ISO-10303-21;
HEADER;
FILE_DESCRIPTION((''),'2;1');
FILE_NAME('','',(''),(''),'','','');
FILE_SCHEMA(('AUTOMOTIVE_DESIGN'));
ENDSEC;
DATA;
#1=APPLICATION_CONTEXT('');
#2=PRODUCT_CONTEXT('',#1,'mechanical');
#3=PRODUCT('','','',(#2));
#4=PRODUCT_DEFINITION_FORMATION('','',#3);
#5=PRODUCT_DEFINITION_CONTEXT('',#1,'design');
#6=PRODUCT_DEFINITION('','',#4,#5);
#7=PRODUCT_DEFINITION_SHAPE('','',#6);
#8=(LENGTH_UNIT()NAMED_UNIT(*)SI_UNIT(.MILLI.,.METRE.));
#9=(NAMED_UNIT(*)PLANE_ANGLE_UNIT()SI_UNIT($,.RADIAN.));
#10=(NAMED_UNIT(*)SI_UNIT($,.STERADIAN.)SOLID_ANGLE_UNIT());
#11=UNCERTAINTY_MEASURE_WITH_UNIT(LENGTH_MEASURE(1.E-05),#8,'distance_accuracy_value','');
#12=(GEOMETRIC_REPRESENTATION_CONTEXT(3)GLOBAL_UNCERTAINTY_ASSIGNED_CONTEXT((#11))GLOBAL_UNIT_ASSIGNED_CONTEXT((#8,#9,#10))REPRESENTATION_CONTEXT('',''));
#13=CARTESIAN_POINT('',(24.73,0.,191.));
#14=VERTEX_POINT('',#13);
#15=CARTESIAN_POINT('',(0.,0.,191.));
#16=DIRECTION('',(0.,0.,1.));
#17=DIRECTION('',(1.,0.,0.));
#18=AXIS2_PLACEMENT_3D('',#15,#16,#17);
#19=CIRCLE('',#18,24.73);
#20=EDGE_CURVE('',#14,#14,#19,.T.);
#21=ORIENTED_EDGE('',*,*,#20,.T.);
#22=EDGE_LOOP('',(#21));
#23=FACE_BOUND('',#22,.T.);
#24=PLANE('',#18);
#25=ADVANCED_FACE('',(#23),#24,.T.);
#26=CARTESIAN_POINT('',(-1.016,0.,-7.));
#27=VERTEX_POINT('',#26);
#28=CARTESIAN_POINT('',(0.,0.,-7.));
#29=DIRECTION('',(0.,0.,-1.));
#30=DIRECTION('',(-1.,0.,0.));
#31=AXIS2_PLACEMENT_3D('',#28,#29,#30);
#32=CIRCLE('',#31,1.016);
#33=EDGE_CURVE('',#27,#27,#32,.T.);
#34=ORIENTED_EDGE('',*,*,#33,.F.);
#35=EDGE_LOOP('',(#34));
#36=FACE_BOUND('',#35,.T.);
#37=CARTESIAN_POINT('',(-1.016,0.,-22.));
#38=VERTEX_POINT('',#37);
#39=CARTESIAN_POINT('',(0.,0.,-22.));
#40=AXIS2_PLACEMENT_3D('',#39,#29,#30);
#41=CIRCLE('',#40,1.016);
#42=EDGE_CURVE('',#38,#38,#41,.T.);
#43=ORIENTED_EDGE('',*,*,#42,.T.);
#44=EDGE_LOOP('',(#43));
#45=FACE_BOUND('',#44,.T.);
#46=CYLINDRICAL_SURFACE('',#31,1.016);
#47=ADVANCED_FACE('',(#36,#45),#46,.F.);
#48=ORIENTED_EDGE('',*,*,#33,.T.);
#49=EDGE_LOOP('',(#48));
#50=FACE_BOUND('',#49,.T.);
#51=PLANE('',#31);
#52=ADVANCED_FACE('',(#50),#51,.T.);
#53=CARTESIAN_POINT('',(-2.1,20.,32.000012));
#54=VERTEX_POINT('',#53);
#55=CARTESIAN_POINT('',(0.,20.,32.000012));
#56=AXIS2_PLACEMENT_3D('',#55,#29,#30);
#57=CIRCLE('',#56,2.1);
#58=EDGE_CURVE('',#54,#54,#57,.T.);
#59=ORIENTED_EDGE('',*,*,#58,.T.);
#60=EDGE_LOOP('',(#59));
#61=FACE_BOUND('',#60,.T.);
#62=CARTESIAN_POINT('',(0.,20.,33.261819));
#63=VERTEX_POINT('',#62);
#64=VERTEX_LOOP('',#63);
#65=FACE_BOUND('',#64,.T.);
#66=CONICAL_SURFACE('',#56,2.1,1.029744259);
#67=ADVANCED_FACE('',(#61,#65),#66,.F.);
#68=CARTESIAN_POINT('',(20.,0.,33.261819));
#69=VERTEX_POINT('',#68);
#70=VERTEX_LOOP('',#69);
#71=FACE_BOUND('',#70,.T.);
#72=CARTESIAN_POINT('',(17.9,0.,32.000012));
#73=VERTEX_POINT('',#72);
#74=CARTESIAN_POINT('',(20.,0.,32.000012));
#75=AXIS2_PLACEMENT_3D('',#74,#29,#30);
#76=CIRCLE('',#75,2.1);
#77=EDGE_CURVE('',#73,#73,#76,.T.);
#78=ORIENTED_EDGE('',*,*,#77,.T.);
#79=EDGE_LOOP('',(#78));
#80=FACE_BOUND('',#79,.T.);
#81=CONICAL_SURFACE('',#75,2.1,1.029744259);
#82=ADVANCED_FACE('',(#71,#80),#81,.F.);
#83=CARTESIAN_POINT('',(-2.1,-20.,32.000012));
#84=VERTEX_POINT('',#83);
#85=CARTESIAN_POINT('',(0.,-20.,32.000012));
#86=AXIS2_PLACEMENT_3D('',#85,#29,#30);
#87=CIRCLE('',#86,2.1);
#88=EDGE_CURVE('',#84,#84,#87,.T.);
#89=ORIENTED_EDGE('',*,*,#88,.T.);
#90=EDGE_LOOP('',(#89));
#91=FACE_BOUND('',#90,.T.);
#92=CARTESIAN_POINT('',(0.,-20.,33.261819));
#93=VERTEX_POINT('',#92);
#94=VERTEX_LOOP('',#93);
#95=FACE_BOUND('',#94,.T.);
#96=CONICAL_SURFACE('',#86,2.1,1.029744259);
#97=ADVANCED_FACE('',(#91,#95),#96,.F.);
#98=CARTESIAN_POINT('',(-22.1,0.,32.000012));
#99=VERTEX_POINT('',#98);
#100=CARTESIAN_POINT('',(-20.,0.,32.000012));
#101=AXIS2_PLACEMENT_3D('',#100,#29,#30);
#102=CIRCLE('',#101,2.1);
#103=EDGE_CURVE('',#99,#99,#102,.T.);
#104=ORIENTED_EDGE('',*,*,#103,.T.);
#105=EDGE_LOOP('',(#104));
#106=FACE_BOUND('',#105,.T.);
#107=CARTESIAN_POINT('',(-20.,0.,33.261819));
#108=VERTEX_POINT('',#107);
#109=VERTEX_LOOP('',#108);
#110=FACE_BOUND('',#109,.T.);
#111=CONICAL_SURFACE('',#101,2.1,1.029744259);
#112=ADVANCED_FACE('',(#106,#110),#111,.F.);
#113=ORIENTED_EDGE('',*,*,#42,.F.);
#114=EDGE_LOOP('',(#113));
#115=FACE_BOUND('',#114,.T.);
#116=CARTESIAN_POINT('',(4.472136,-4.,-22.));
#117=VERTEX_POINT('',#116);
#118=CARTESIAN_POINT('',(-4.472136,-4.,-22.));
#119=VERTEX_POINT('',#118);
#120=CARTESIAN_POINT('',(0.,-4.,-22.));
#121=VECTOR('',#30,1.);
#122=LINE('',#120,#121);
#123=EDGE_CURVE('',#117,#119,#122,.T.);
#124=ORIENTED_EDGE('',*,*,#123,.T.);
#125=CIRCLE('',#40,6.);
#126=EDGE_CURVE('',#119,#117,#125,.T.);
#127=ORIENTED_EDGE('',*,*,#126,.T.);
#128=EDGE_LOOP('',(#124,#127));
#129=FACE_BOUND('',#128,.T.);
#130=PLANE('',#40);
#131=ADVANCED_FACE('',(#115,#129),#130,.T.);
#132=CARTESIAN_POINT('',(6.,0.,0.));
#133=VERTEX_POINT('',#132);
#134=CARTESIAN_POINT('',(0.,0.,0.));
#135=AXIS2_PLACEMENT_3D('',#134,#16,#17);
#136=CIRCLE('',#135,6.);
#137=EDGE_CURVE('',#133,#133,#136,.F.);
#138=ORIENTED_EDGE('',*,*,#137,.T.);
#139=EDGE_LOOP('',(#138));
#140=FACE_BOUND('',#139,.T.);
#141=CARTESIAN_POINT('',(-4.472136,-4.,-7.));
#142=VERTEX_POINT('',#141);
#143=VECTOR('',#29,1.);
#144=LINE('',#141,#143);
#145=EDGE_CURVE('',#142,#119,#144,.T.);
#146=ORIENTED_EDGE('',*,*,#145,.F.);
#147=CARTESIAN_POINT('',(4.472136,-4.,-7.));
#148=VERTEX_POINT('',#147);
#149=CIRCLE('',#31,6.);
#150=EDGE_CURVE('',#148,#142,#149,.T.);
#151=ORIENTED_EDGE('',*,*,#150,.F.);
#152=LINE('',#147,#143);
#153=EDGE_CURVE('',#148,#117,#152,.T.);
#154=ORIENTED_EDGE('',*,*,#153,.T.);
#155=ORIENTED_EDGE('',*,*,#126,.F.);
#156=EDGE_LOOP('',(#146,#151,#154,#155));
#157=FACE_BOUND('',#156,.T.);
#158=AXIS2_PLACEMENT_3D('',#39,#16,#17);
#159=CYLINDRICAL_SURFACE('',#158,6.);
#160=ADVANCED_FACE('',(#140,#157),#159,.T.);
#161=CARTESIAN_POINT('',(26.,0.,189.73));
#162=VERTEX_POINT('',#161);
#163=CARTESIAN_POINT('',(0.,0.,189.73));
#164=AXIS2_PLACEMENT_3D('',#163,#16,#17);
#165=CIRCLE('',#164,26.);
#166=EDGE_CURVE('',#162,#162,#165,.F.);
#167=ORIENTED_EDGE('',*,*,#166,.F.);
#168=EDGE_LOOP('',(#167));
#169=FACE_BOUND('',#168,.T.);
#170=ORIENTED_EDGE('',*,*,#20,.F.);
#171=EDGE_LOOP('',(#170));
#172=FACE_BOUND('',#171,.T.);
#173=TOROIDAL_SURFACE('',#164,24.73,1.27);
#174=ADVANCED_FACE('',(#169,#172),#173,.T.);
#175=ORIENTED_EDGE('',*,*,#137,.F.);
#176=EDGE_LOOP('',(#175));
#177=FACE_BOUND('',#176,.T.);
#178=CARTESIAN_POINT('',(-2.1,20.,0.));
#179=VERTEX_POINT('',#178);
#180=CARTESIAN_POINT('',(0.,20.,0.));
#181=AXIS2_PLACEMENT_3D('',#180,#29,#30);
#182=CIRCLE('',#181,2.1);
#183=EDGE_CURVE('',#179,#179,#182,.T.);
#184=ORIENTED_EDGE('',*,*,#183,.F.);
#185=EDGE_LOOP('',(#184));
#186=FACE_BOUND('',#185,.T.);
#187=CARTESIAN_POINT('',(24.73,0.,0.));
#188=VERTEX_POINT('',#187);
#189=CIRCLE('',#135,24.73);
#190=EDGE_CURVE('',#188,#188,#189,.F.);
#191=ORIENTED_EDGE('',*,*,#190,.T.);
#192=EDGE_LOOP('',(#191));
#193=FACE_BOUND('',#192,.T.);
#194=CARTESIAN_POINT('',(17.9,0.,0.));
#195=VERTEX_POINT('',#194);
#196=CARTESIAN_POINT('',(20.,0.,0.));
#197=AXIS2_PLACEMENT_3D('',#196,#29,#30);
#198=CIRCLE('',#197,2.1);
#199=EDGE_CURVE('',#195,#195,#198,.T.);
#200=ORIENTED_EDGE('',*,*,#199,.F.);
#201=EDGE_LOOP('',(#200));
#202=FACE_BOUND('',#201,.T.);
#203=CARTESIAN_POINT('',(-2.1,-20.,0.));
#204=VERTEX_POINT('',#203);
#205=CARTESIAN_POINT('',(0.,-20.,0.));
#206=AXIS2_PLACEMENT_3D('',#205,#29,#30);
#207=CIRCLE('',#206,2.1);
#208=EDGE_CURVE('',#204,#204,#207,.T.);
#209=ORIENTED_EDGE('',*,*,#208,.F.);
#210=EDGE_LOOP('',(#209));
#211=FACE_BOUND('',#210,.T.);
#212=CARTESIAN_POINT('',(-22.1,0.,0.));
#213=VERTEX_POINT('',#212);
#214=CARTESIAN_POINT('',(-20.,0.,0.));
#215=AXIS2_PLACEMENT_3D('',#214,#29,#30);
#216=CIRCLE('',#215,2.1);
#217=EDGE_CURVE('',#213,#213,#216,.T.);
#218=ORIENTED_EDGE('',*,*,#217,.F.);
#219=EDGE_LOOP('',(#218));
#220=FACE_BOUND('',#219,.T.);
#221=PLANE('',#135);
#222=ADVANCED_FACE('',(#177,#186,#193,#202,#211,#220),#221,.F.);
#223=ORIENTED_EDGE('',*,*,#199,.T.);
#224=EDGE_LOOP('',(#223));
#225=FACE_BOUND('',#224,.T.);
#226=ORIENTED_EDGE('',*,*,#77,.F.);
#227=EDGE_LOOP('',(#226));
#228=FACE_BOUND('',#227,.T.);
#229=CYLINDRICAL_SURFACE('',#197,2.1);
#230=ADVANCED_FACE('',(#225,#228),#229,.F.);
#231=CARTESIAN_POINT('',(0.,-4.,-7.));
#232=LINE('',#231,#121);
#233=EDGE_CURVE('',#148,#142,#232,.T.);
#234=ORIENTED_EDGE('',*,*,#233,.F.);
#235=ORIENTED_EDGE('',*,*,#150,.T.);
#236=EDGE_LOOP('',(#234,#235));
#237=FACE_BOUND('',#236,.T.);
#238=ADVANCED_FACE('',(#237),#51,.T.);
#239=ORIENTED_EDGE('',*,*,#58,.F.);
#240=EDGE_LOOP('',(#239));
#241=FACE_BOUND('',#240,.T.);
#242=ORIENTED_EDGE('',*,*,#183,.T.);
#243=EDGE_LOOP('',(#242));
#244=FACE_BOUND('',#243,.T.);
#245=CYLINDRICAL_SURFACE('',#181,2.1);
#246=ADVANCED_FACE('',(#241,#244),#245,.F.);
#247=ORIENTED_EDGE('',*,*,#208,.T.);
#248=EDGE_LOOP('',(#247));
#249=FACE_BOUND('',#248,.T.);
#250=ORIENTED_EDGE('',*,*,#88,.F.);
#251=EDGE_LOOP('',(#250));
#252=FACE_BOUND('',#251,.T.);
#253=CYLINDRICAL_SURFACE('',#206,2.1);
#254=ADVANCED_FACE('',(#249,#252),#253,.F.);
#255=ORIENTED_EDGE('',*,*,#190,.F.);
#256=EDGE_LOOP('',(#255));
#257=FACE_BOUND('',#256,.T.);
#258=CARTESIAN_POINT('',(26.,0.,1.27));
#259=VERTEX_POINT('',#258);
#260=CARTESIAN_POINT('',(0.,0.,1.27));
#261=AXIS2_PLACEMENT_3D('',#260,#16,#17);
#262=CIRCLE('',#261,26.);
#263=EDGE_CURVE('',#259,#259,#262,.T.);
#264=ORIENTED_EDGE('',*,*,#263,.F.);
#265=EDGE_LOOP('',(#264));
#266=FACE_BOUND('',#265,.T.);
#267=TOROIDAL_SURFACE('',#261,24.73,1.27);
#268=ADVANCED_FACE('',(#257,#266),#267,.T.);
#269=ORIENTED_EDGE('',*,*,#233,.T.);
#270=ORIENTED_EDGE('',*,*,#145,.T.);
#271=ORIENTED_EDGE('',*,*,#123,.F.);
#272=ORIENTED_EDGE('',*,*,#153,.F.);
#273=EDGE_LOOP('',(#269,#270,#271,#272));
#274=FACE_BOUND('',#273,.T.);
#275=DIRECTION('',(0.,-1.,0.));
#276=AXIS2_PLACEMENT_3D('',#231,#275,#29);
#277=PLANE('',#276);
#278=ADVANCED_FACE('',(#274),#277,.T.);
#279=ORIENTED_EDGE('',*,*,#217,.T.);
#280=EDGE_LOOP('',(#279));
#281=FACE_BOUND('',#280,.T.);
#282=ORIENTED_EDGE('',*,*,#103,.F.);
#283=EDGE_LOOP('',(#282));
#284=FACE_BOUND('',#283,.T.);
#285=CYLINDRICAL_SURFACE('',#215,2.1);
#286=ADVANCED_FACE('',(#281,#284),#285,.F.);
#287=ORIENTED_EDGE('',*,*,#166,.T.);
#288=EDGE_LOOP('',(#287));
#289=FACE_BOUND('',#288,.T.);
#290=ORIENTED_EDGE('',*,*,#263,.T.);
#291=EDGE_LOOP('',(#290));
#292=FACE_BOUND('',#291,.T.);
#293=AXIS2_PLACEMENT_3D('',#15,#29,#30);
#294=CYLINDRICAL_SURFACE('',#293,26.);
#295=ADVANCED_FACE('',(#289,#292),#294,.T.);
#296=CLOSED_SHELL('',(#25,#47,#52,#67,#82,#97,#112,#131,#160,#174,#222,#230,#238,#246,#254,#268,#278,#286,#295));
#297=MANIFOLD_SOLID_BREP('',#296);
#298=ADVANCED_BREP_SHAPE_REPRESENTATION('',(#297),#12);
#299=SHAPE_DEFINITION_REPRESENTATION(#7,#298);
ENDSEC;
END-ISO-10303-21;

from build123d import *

# Parameters (mm, degrees)
SKETCH1_R                 = 26
BODY_DEPTH                = 191
SKETCH2_R                 = 6
AXLE_DEPTH                = 22
FLAT_START                = -15
SKETCH3_R                 = 1.016
FLAT_DEPTH                = 15
M5X0_8_TAPPED_HOLE1_D     = 4.2
M5X0_8_TAPPED_HOLE1_DEPTH = 32.0000122
M5X0_8_TAPPED_HOLE1_TIP   = 1.2618073
FILLET1_R                 = 1.27


with BuildPart() as part:
    # Sketch1 → body (new body)
    with BuildSketch(Plane.XY):
        Circle(SKETCH1_R)
    extrude(amount=BODY_DEPTH)

    # Sketch2 → axle (add)
    with BuildSketch(Plane(origin=(0, 0, 0), x_dir=(-1, 0, 0), z_dir=(0, 0, -1))):
        with Locations(Location((0, 0, 0), (0, 0, 180))):
            Circle(SKETCH2_R)
    extrude(amount=AXLE_DEPTH)

    # Sketch3 → flat (cut)
    with BuildSketch(Plane(origin=(0, 0, -22), x_dir=(-1, 0, 0), z_dir=(0, 0, -1)).offset(FLAT_START)):
        with BuildLine():
            Line((4.472135955, -4), (-4.472135955, -4))
            ThreePointArc((-4.472135955, -4), (0, -6), (4.472135955, -4))
        make_face()
        Circle(SKETCH3_R)
    extrude(amount=FLAT_DEPTH, mode=Mode.SUBTRACT)

    # M5x0.8 Tapped Hole1
    with Locations(Plane(origin=(0, 0, 0), x_dir=(-1, 0, 0), z_dir=(0, 0, -1))):
        with Locations((0, -20), (-20, 0), (0, 20), (20, 0)):
            Hole(M5X0_8_TAPPED_HOLE1_D / 2, depth=M5X0_8_TAPPED_HOLE1_DEPTH)
            with Locations((0, 0, -(M5X0_8_TAPPED_HOLE1_DEPTH + M5X0_8_TAPPED_HOLE1_TIP / 2))):  # 118° drill point
                Cone(0, M5X0_8_TAPPED_HOLE1_D / 2, M5X0_8_TAPPED_HOLE1_TIP, mode=Mode.SUBTRACT)

    # Fillet1
    fillet1_edges = [part.edges().sort_by_distance(p)[0] for p in [
        (-26, 0, 0),
        (-26, 0, 191),
    ]]
    fillet(fillet1_edges, radius=FILLET1_R)


solid = part.part
